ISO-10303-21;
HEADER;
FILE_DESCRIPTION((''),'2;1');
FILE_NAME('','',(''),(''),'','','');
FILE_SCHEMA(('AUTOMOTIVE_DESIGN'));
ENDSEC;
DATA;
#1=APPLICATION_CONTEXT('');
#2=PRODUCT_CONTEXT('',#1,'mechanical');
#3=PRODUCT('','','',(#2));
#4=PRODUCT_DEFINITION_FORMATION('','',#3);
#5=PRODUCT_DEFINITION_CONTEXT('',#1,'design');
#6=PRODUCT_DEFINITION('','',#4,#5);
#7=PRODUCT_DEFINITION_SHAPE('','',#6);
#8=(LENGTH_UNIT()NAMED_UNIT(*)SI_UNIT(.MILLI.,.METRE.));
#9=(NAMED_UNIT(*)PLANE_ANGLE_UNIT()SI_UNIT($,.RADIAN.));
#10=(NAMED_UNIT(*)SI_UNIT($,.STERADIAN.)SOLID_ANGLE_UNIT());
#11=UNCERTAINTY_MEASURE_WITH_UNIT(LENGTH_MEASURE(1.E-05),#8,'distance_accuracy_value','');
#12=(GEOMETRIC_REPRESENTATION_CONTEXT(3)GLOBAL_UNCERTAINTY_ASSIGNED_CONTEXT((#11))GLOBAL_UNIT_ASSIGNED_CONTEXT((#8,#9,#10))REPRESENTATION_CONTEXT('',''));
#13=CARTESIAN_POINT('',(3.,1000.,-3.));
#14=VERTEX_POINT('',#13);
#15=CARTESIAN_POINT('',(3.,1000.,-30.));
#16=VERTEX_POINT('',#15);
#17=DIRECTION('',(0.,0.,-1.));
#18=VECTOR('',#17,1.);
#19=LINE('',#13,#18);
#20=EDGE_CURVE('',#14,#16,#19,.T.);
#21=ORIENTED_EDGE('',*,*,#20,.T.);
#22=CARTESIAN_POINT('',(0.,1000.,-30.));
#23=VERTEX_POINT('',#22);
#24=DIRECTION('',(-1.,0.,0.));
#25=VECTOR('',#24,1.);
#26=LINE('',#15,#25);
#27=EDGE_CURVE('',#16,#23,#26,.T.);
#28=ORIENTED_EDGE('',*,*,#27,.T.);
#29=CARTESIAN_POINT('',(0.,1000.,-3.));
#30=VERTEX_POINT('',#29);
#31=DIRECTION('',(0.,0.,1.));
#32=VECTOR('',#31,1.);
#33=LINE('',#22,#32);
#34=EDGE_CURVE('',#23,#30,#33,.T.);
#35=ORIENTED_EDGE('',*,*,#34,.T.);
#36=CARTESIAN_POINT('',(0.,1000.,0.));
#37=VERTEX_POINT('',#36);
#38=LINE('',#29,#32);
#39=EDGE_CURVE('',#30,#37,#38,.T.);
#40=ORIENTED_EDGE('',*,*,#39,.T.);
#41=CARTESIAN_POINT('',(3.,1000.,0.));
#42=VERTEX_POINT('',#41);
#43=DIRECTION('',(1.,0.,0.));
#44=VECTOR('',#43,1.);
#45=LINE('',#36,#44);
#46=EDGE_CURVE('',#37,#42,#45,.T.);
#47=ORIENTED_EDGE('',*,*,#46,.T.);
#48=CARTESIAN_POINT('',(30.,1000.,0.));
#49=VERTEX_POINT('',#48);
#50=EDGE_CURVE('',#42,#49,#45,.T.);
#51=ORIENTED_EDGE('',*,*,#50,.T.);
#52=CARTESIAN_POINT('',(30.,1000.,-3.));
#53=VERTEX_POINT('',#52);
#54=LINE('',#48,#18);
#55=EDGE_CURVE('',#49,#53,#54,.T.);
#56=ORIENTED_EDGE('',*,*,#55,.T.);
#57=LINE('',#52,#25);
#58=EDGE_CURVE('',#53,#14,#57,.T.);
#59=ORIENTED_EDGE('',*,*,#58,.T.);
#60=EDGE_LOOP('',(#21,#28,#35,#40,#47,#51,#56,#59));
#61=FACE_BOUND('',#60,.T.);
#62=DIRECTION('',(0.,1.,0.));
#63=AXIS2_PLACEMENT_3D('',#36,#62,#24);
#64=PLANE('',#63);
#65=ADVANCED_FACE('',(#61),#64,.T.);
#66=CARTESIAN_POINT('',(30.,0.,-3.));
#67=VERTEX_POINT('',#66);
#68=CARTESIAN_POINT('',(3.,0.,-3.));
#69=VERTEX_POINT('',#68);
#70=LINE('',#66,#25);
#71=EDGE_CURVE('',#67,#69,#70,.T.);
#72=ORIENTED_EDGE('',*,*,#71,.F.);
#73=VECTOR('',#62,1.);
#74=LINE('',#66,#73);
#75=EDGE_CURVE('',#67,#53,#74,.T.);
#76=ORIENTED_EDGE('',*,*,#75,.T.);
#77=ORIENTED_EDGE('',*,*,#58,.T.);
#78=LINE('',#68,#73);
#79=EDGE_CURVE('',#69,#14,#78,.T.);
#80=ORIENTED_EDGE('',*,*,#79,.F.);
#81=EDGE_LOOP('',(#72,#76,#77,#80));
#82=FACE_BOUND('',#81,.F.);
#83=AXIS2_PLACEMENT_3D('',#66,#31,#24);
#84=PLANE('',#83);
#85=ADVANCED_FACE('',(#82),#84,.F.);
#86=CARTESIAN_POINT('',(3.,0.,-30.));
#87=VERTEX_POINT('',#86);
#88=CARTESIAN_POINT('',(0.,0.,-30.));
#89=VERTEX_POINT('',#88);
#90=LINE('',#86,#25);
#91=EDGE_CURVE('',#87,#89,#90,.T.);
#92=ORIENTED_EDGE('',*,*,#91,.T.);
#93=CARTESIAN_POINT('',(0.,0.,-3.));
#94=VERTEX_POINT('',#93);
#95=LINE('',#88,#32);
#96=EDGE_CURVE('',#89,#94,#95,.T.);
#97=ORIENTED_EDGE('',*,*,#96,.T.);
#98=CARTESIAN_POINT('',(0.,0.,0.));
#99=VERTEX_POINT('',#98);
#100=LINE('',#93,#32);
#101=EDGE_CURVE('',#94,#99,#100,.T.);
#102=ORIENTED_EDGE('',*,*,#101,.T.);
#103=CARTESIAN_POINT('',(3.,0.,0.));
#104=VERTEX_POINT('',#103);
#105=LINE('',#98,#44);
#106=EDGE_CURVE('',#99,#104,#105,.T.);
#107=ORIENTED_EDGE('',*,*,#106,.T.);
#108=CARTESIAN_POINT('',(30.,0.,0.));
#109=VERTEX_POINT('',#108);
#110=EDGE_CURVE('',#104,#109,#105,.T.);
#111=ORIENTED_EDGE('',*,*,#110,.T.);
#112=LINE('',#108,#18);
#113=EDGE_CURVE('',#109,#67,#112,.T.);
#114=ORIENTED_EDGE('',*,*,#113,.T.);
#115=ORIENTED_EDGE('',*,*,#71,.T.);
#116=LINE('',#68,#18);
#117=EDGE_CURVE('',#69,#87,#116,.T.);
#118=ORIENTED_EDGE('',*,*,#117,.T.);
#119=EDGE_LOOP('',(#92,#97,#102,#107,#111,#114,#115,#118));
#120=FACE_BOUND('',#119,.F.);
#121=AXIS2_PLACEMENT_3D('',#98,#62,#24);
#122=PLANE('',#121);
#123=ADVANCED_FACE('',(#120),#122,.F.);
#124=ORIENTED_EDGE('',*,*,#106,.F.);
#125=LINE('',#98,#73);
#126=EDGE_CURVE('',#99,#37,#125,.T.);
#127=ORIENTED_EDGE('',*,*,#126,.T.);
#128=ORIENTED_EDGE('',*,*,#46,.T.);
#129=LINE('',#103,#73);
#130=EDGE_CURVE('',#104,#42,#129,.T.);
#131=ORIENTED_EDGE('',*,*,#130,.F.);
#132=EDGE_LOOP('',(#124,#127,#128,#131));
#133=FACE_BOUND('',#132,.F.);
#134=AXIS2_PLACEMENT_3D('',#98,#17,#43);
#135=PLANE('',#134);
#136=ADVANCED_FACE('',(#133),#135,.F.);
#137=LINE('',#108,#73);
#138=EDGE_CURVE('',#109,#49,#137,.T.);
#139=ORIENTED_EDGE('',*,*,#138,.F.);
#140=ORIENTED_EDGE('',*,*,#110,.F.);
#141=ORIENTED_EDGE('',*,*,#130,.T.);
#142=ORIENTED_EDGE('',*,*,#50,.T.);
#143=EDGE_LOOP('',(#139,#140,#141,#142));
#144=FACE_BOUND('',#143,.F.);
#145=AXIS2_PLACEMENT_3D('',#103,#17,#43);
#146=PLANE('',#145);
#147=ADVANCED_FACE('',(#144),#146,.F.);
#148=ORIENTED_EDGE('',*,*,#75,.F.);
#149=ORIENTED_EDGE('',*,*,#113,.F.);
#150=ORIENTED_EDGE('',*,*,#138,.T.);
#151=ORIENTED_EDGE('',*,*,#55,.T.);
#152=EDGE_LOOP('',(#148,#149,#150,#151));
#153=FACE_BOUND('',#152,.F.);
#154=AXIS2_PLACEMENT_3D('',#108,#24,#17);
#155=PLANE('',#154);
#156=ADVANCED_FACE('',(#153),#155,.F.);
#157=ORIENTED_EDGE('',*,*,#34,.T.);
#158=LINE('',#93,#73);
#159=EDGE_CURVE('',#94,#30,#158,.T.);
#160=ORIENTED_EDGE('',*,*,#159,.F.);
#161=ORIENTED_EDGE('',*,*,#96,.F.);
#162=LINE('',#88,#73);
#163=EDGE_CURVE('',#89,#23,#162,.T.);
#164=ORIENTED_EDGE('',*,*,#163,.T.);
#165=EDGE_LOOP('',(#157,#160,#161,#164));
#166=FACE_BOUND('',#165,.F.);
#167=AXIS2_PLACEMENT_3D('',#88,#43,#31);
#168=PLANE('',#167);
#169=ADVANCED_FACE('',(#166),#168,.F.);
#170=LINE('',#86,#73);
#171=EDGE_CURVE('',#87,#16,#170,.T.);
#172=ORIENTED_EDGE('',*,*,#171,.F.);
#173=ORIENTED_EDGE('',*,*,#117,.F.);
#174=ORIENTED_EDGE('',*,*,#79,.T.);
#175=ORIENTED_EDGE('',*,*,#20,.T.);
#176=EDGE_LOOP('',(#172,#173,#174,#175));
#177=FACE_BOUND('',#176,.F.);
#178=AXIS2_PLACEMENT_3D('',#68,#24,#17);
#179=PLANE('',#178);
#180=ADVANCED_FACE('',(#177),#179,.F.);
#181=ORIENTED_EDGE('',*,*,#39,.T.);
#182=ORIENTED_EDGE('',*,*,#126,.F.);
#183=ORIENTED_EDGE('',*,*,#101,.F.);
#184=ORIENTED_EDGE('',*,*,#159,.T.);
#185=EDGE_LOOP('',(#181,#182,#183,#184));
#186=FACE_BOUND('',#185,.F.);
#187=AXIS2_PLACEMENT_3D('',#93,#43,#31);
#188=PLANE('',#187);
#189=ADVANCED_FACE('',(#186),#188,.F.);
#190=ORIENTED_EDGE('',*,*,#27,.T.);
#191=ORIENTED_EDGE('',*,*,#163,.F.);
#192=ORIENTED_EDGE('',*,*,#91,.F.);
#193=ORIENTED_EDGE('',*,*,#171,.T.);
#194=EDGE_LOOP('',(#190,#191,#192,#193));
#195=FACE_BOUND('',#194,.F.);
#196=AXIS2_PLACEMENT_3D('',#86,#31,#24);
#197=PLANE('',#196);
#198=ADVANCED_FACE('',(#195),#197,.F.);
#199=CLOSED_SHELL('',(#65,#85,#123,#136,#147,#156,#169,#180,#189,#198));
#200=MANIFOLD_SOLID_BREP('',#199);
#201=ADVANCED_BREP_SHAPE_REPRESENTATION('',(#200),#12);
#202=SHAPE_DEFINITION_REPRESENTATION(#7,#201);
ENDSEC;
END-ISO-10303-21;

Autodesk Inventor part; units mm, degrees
ref_plane "YZ Plane" through (0, 0, 0) normal (1, 0, 0) x (0, 1, 0)
ref_plane "XZ Plane" through (0, 0, 0) normal (0, 1, 0) x (-1, 0, 0)
ref_plane "XY Plane" through (0, 0, 0) normal (0, 0, 1) x (1, 0, 0)
sketch "Sketch1" plane through (0, 0, 0) normal (0, 1, 0) x (-1, 0, 0)
  line L0 (0, 0) -> (-30, 0)
  line L1 (-30, 0) -> (-30, -3)
  line L2 (-30, -3) -> (-3, -3)
  line L3 (0, -3) -> (0, 0)
  line L4 (0, 0) -> (-3, 0)
  line L5 (-3, -3) -> (-3, -30)
  line L6 (-3, -30) -> (0, -30)
  line L7 (0, -30) -> (0, 0)
  dimension "d0" = 3
  dimension "d1" = 3
  dimension "d2" = 30
  dimension "d3" = 30
extrude "Extrusion1" add sketch "Sketch1" along normal blind 1000
properties part number "frame" material "Aluminum 6061"
